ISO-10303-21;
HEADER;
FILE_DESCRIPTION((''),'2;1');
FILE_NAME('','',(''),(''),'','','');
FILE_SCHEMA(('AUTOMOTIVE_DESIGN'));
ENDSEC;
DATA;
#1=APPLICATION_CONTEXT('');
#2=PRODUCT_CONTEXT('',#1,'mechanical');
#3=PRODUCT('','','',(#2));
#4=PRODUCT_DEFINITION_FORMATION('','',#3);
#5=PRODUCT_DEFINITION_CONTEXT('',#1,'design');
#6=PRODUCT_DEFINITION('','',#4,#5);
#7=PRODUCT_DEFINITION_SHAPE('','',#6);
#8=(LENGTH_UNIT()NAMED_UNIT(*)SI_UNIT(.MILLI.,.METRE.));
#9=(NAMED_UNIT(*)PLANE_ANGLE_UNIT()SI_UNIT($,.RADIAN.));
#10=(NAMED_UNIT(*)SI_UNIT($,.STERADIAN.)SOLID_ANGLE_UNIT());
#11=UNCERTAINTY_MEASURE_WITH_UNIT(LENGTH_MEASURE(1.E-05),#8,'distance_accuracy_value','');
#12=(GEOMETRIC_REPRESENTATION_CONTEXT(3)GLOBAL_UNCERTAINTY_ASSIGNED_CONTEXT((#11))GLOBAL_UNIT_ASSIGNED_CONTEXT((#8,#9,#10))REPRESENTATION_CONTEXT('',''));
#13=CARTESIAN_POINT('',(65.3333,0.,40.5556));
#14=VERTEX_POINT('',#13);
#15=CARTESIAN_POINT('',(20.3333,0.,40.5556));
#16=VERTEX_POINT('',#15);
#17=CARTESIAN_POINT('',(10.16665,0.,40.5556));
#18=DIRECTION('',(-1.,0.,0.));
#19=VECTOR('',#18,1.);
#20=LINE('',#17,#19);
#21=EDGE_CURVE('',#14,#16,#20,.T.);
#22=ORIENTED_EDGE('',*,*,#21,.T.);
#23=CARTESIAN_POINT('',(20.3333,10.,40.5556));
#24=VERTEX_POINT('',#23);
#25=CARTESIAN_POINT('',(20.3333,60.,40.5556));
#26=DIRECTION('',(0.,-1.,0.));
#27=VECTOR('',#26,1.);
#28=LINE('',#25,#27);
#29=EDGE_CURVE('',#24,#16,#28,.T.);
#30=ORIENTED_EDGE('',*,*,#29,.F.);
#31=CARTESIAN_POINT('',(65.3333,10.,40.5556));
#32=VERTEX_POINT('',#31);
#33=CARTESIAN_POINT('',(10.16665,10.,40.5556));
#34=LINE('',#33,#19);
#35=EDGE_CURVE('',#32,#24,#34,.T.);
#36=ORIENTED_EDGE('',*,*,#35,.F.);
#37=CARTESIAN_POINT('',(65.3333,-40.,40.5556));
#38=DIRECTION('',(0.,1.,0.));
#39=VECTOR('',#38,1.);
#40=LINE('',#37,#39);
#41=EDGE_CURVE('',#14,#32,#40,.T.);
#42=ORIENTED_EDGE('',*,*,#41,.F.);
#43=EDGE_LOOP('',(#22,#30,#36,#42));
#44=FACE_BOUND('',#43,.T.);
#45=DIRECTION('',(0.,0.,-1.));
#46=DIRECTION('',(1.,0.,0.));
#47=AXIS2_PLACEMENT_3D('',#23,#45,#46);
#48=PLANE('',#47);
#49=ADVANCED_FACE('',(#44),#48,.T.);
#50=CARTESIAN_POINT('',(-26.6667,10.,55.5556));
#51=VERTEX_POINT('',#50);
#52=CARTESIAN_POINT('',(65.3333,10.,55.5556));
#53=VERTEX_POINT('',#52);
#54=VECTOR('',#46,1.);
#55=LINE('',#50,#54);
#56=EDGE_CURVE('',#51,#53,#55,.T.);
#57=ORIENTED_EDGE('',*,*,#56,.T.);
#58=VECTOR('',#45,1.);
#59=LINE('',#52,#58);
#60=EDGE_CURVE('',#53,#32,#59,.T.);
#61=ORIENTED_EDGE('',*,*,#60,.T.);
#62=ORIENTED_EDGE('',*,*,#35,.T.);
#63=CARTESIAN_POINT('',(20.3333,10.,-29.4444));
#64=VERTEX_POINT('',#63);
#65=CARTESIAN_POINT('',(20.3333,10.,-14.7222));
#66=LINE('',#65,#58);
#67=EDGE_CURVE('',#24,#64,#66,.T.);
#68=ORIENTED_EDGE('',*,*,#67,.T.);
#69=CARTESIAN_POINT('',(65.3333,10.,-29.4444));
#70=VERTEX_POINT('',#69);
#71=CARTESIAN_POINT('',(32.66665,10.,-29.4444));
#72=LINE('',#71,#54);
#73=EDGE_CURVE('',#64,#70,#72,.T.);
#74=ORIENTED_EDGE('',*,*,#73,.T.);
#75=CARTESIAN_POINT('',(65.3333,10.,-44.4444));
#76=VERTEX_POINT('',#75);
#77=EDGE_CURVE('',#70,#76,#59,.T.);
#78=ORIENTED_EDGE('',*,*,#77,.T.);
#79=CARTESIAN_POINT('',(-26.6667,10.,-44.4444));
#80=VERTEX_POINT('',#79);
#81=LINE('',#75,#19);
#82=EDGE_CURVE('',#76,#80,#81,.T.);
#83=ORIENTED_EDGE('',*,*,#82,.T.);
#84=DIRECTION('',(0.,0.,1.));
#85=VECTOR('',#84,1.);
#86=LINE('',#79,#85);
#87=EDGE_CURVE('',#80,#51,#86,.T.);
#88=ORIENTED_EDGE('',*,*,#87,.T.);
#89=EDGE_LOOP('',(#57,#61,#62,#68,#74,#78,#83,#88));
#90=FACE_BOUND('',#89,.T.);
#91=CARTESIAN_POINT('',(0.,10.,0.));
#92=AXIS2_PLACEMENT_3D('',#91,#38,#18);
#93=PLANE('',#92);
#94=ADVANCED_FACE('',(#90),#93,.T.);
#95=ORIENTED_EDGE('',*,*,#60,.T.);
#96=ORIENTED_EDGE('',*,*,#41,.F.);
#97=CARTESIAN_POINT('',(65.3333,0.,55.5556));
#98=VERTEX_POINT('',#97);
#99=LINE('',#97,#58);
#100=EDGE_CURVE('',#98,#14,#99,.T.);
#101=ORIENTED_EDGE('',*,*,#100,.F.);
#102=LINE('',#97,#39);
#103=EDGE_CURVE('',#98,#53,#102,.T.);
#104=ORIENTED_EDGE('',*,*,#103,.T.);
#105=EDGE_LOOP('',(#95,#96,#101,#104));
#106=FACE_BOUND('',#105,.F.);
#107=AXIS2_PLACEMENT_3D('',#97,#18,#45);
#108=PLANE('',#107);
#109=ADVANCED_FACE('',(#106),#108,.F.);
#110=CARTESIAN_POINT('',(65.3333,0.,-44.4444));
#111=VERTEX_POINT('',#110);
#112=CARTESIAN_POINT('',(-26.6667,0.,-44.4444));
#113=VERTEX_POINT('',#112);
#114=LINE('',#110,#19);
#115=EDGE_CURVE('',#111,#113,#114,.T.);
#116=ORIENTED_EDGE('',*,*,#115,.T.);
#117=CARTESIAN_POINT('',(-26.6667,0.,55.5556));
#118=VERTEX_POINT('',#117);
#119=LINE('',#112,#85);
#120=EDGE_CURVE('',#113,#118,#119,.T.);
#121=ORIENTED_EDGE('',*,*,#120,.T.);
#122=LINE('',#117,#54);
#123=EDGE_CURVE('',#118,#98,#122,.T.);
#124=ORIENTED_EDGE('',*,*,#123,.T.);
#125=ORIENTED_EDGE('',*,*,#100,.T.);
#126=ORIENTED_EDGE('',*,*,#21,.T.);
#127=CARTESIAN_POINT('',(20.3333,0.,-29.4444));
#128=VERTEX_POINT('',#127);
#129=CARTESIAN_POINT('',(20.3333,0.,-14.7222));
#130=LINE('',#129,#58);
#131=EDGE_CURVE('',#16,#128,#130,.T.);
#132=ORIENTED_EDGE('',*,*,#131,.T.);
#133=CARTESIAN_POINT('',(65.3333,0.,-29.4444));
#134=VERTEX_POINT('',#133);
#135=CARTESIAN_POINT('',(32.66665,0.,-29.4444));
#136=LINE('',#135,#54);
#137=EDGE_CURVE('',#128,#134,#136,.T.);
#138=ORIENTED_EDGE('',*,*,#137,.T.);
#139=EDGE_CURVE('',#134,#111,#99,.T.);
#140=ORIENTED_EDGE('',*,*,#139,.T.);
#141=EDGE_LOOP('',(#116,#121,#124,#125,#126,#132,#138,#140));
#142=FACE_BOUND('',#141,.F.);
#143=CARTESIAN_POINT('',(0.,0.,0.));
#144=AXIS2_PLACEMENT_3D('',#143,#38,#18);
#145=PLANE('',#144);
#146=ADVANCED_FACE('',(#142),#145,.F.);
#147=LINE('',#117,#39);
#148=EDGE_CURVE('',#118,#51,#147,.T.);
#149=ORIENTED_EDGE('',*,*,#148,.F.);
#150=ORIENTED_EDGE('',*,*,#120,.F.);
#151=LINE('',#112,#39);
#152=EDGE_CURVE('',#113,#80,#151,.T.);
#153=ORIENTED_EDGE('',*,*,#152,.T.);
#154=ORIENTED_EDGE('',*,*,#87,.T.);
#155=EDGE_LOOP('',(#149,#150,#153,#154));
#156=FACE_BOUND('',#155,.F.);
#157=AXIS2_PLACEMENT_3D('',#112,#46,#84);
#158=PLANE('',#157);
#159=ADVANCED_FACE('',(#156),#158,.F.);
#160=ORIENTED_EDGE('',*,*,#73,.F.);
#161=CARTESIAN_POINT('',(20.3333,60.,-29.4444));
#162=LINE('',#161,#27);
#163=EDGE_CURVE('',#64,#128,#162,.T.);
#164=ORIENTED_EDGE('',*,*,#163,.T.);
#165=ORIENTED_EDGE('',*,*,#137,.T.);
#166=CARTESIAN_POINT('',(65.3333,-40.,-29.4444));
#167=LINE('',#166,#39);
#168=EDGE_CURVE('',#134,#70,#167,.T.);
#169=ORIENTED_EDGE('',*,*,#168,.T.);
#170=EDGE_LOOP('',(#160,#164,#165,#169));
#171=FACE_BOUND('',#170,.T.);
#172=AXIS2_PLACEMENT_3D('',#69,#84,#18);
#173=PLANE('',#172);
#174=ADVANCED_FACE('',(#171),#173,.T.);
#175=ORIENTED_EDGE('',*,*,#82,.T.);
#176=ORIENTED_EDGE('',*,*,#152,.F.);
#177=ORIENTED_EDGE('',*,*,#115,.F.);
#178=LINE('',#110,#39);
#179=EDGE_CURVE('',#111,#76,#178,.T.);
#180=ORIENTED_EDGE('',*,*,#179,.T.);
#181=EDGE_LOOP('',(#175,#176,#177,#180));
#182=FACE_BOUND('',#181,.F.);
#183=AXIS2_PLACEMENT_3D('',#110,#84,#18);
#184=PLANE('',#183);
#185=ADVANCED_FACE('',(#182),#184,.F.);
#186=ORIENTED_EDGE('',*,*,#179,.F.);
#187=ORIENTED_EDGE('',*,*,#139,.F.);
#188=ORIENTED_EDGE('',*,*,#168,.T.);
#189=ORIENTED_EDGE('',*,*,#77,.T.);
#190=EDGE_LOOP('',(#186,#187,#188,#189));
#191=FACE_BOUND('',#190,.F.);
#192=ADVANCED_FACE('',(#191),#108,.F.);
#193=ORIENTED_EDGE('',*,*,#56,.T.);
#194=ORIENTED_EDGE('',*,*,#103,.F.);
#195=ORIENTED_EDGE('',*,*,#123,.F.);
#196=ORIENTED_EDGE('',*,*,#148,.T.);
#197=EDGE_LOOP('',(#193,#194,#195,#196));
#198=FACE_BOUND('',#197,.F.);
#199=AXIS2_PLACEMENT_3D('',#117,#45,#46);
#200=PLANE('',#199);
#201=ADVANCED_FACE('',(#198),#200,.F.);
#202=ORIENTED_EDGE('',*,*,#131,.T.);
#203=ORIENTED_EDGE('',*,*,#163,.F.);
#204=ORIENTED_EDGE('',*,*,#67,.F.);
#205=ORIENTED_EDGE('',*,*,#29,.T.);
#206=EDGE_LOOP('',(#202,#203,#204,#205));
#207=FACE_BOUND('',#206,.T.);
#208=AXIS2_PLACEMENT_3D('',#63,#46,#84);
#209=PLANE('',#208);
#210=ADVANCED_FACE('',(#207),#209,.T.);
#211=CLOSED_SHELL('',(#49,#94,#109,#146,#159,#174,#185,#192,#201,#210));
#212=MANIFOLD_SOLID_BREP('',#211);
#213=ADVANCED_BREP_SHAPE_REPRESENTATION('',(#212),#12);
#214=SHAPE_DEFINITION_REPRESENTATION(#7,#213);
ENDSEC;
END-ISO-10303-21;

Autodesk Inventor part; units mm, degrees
ref_plane "YZ Plane" through (0, 0, 0) normal (1, 0, 0) x (0, 1, 0)
ref_plane "XZ Plane" through (0, 0, 0) normal (0, 1, 0) x (-1, 0, 0)
ref_plane "XY Plane" through (0, 0, 0) normal (0, 0, 1) x (1, 0, 0)
sketch "Sketch1" plane through (0, 0, 0) normal (0, 1, 0) x (-1, 0, 0)
  point P0 (0, 0)
sketch "Sketch2" plane through (0, 0, 0) normal (0, 1, 0) x (-1, 0, 0)
  line L0 (26.6667, 55.5556) -> (-65.3333, 55.5556)
  line L1 (-65.3333, 55.5556) -> (-65.3333, -44.4444)
  line L2 (-65.3333, -44.4444) -> (26.6667, -44.4444)
  line L3 (26.6667, -44.4444) -> (26.6667, 55.5556)
  point P0 (0, 0)
  dimension "d0" = 100
  dimension "d1" = 92
extrude "Extrusion1" add sketch "Sketch2" along normal blind 10
sketch "Sketch3" plane through (0, 10, 0) normal (0, 1, 0) x (1, 0, 0)
  line L0 (65.3333, -55.5556) -> (65.3333, 44.4444) projected
  line L1 (65.3333, 29.4444) -> (20.3333, 29.4444)
  line L2 (20.3333, 29.4444) -> (20.3333, -40.5556)
  line L3 (20.3333, -40.5556) -> (65.3333, -40.5556)
  line L4 (65.3333, -40.5556) -> (65.3333, 29.4444)
  line L5 (65.3333, 44.4444) -> (-26.6667, 44.4444) projected
  line L6 (-26.6667, -55.5556) -> (65.3333, -55.5556) projected
  point P0 (0, 0)
  point P1 (65.3333, -40.5556)
  dimension "d4" = 70
  dimension "d5" = 15
  dimension "d6" = 15
  dimension "d7" = 45
extrude "Extrusion2" cut sketch "Sketch3" along normal mid plane 100
properties part number "Poperechnik"
